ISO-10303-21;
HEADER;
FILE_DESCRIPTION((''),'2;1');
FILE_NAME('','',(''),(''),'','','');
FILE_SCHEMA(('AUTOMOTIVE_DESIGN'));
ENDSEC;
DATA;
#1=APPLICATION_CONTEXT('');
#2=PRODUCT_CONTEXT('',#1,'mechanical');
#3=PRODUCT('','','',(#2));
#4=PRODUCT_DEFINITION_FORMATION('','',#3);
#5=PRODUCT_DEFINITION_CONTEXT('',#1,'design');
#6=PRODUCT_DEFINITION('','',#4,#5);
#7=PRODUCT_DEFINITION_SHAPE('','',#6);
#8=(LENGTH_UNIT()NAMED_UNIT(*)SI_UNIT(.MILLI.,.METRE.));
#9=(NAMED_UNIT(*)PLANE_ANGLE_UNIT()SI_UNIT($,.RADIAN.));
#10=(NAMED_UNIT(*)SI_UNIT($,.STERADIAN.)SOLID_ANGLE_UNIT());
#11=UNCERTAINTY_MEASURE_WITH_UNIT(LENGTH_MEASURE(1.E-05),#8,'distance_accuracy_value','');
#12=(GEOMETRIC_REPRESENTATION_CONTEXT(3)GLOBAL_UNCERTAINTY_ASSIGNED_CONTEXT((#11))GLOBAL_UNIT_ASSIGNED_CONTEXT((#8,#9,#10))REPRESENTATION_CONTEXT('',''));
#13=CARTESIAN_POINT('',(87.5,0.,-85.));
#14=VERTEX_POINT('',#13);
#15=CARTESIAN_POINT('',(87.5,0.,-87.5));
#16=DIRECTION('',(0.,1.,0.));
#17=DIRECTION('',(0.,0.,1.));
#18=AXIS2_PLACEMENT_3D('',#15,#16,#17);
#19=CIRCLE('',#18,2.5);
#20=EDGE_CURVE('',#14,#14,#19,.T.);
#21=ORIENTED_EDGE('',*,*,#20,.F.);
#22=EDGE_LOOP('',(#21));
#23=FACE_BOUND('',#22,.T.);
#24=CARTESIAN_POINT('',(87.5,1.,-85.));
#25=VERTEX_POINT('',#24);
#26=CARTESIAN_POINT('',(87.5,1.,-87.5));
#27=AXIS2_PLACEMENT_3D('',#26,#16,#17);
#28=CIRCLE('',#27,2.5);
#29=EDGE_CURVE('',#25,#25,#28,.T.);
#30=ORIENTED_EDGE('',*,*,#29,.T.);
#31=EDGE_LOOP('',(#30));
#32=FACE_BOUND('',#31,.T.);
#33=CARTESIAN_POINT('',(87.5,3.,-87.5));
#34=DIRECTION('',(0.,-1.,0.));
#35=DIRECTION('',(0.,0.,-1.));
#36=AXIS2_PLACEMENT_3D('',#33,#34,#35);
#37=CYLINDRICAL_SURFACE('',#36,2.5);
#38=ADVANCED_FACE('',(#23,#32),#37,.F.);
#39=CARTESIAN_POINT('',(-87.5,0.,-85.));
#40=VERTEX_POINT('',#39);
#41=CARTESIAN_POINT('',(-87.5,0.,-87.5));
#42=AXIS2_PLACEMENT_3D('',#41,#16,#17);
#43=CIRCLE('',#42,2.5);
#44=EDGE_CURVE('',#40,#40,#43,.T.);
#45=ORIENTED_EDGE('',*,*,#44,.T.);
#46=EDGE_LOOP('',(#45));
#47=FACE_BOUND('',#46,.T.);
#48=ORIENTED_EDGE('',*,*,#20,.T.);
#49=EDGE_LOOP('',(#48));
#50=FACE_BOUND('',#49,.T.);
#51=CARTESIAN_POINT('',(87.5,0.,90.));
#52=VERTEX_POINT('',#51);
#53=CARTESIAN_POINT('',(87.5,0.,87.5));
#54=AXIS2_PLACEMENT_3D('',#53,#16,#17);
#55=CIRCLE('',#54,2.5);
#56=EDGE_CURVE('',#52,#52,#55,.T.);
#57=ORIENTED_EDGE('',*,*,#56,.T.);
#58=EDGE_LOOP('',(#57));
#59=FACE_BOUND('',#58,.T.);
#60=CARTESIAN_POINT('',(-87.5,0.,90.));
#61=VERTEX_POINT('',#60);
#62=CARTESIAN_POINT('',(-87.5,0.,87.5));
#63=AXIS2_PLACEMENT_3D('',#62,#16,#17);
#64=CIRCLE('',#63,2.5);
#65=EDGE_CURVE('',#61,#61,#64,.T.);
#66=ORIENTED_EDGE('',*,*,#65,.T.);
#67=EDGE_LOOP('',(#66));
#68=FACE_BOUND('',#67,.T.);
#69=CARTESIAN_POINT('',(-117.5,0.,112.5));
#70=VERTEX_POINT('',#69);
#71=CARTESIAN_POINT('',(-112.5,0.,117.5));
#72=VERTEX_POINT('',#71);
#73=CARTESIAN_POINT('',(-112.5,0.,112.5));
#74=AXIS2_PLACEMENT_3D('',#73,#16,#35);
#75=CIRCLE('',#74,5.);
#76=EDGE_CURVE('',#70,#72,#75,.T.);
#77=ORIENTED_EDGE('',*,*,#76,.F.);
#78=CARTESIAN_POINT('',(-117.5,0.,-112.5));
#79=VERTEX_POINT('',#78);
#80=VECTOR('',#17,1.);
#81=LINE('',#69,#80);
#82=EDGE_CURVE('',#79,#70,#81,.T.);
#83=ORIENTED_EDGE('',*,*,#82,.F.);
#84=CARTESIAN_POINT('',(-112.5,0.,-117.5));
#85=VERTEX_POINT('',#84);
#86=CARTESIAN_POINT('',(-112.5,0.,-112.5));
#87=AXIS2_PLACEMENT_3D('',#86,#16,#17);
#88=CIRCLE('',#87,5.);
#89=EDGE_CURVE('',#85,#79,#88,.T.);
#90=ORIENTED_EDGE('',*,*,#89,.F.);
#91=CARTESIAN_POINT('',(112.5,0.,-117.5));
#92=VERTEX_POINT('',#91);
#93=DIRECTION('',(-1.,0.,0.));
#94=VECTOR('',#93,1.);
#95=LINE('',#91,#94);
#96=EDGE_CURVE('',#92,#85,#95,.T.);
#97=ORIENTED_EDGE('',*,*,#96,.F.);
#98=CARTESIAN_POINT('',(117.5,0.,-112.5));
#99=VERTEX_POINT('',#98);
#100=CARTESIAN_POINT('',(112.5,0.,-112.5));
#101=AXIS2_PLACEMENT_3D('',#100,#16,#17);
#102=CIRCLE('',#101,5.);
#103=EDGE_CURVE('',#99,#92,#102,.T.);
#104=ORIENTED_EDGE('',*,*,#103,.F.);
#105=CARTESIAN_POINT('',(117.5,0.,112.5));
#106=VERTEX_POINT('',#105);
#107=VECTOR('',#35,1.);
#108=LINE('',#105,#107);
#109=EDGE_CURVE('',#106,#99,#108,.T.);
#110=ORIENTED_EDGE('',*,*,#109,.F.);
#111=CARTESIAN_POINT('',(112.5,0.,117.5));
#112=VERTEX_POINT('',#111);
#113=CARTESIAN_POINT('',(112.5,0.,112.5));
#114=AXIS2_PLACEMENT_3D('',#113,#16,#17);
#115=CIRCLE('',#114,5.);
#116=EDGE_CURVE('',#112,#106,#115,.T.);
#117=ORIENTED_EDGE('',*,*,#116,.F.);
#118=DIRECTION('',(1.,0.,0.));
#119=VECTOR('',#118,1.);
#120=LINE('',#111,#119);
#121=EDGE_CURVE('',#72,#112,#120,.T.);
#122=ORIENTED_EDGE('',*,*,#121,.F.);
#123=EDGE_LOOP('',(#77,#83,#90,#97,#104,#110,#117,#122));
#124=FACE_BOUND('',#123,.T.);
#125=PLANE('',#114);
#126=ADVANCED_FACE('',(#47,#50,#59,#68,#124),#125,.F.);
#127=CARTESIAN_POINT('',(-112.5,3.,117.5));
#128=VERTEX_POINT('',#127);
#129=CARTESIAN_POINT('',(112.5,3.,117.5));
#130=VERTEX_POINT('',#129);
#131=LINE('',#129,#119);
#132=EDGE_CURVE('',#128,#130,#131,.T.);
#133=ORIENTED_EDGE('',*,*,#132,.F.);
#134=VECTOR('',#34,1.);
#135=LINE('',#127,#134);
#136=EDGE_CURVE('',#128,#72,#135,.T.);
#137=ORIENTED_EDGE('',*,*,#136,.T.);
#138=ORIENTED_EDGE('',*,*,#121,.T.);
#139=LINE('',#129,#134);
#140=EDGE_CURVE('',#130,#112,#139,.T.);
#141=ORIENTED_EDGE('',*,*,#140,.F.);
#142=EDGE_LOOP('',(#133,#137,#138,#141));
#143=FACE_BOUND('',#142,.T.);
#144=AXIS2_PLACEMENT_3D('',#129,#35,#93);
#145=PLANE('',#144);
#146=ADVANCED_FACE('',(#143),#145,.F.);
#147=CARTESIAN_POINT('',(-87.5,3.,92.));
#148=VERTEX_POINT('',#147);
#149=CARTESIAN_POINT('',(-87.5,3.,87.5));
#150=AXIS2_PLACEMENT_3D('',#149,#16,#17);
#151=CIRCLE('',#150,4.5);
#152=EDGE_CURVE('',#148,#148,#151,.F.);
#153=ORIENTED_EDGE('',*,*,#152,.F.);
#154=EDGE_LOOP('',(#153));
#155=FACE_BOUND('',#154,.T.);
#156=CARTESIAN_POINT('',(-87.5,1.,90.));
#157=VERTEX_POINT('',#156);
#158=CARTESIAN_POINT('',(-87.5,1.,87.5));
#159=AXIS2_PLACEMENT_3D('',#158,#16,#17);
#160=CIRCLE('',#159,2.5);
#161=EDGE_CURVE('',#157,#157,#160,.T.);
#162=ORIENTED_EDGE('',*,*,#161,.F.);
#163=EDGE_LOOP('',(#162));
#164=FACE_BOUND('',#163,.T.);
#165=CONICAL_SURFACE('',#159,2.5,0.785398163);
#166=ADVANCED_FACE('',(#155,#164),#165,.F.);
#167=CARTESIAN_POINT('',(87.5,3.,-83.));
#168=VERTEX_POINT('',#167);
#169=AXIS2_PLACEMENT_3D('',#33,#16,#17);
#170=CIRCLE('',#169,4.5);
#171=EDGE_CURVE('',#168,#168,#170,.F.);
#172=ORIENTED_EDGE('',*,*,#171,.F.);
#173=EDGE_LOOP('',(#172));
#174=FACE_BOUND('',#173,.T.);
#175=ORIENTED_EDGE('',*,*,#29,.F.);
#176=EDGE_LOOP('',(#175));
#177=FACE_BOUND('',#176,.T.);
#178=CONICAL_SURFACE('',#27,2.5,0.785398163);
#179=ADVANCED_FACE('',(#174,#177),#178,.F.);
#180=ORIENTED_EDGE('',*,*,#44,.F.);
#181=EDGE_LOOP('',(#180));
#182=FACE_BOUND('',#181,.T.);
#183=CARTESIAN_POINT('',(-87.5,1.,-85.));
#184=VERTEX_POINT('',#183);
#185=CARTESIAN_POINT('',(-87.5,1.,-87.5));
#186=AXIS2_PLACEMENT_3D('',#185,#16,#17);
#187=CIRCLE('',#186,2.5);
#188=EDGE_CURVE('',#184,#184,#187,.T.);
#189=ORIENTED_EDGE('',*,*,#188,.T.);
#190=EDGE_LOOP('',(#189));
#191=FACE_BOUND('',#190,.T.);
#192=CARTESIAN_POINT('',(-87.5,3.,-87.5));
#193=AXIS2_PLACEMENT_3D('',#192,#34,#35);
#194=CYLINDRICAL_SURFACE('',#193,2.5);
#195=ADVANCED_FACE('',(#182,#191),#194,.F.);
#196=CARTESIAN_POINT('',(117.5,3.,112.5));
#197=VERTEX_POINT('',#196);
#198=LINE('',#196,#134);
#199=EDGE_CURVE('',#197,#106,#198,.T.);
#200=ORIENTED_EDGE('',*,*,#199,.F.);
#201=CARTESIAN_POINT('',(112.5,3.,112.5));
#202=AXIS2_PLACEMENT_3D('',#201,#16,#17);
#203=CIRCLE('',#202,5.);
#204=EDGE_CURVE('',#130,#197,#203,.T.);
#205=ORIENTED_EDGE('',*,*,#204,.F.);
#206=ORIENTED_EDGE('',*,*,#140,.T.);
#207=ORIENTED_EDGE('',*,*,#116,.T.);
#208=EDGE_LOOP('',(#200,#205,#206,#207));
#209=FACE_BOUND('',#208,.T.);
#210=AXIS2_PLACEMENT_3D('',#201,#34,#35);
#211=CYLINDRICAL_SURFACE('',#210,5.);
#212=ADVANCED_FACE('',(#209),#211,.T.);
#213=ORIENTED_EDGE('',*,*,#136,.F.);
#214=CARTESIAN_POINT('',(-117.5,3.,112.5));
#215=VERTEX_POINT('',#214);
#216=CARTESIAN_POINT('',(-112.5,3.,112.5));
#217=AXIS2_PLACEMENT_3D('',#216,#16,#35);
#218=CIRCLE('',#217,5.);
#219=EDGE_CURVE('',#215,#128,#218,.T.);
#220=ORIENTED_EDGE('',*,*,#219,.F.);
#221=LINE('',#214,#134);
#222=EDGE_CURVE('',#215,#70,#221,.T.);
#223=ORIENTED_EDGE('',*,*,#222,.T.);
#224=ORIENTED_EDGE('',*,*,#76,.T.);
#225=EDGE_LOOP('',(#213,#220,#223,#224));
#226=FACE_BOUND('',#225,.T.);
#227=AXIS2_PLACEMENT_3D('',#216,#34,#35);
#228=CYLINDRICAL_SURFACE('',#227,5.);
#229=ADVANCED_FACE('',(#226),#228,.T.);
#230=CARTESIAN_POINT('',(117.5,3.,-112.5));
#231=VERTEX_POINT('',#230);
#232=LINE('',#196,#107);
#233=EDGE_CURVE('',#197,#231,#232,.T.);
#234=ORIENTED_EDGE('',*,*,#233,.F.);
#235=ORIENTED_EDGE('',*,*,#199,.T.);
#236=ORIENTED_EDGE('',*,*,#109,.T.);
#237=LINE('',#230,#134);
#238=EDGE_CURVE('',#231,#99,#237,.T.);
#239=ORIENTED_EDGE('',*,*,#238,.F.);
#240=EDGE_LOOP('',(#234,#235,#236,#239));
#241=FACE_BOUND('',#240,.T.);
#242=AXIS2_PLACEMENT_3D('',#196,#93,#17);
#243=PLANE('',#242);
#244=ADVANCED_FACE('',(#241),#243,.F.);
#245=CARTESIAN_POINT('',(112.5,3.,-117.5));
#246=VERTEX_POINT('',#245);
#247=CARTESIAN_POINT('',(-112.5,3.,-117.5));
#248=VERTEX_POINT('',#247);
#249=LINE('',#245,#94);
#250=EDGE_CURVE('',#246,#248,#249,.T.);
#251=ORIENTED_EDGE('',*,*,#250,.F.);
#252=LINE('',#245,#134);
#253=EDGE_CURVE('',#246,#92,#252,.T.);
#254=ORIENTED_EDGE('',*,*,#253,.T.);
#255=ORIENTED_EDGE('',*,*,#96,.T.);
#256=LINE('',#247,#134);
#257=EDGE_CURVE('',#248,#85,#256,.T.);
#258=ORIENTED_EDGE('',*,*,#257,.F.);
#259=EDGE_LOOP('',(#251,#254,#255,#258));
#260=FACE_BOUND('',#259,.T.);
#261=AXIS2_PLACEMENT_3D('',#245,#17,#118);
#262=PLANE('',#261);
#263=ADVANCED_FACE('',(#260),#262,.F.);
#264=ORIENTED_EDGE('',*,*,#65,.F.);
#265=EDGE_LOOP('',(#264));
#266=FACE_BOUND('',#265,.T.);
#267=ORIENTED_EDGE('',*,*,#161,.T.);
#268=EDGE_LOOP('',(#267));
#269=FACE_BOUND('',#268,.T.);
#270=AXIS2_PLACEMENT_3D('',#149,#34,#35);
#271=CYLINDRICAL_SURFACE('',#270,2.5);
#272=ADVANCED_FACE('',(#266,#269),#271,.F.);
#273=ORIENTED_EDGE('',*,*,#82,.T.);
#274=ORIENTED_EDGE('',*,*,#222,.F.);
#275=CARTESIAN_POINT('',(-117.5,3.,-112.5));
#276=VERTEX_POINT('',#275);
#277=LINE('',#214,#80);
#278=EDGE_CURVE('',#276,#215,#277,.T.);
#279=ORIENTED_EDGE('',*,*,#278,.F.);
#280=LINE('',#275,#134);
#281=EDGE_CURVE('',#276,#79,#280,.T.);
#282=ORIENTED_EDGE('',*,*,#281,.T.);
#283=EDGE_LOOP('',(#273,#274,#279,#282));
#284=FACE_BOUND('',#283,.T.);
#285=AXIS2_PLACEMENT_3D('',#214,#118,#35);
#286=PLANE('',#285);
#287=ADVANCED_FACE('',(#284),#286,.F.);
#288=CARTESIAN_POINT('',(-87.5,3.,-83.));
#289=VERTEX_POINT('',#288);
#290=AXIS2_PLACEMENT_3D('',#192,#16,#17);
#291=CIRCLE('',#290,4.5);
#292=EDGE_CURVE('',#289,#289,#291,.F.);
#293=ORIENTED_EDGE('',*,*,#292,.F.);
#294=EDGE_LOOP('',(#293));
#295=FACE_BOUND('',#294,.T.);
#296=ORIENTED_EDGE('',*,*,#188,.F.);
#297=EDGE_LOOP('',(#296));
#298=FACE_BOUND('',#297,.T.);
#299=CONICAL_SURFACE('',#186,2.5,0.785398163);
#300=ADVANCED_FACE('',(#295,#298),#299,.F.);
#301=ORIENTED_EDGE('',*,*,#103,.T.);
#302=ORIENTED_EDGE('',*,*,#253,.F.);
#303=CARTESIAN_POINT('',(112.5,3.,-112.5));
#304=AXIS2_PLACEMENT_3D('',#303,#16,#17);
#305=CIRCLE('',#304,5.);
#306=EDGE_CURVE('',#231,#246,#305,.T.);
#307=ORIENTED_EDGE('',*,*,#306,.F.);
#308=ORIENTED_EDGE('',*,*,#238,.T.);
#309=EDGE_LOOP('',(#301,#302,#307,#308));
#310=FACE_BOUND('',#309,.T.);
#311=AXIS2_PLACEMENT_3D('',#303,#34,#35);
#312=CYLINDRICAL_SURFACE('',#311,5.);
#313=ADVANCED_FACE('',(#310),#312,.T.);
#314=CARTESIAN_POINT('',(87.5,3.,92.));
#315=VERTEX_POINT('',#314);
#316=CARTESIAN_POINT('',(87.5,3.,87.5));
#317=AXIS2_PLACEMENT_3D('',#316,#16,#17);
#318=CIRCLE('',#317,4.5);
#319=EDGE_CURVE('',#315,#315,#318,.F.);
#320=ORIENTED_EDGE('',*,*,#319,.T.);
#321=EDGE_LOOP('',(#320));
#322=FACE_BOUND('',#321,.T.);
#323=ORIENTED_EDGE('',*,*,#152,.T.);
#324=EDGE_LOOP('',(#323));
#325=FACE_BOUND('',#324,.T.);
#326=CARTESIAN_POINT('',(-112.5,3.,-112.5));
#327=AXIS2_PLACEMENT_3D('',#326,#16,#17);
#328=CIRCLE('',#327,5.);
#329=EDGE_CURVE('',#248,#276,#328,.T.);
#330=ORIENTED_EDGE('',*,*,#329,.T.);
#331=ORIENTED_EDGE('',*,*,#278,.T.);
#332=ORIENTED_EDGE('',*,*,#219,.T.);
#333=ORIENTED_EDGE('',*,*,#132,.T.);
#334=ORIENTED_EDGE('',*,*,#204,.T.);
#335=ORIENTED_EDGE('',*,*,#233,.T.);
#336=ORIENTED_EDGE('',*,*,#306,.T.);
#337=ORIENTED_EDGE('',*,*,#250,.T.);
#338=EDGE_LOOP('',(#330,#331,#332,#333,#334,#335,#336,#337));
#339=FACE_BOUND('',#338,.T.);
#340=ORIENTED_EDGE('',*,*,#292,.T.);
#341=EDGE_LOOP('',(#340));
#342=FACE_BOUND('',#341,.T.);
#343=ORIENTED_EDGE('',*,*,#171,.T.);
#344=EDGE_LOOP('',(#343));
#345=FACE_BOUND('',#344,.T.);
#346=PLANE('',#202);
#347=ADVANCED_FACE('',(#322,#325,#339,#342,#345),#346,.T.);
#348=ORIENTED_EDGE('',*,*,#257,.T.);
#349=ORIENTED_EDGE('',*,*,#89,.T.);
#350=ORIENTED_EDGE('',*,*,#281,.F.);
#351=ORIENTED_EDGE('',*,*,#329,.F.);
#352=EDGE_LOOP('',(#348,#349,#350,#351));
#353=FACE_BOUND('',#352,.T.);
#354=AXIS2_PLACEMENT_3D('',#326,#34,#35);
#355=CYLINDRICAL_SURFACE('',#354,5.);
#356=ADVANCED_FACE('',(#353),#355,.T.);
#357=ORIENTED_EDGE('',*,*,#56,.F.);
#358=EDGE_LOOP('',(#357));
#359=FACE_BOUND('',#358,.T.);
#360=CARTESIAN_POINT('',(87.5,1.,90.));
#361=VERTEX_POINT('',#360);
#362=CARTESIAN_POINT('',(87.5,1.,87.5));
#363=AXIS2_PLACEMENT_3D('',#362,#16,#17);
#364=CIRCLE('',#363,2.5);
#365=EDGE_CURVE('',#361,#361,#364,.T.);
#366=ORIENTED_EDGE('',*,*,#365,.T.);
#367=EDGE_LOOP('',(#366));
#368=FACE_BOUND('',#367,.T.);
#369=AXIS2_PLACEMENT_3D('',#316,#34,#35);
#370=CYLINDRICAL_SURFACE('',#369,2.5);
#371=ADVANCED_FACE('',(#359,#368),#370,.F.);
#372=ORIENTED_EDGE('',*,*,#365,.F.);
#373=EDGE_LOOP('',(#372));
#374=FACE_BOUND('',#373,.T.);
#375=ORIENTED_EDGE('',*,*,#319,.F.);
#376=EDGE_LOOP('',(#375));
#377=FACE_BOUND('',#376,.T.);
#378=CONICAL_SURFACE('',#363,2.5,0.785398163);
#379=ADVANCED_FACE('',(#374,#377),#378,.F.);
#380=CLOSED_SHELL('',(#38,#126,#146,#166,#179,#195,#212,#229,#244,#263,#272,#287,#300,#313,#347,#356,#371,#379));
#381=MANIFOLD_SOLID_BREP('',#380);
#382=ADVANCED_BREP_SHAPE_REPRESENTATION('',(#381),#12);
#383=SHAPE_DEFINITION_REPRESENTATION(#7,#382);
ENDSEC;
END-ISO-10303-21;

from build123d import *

# Parameters (mm, degrees)
ESQUISSE1_R        = 2.5
BOSS_EXTRU_1_DEPTH = 3
CHANFREIN1_SIZE    = 2


with BuildPart() as part:
    # Esquisse1 → Boss.-Extru.1 (new body)
    with BuildSketch(Plane(origin=(0, 0, 0), x_dir=(1, 0, 0), z_dir=(0, 1, 0))):
        with BuildLine():
            Line((112.5, -117.5), (-112.5, -117.5))
            ThreePointArc((-112.5, -117.5), (-116.035533906, -116.035533906), (-117.5, -112.5))
            Line((-117.5, -112.5), (-117.5, 112.5))
            ThreePointArc((-117.5, 112.5), (-116.035533906, 116.035533906), (-112.5, 117.5))
            Line((-112.5, 117.5), (112.5, 117.5))
            ThreePointArc((112.5, 117.5), (116.035533906, 116.035533906), (117.5, 112.5))
            Line((117.5, 112.5), (117.5, -112.5))
            ThreePointArc((117.5, -112.5), (116.035533906, -116.035533906), (112.5, -117.5))
        make_face()
        with Locations(Location((-87.5, 87.5, 0), (0, 0, 270))):
            Circle(ESQUISSE1_R, mode=Mode.SUBTRACT)
        with Locations(Location((-87.5, -87.5, 0), (0, 0, 270))):
            Circle(ESQUISSE1_R, mode=Mode.SUBTRACT)
        with Locations(Location((87.5, -87.5, 0), (0, 0, 270))):
            Circle(ESQUISSE1_R, mode=Mode.SUBTRACT)
        with Locations(Location((87.5, 87.5, 0), (0, 0, 270))):
            Circle(ESQUISSE1_R, mode=Mode.SUBTRACT)
    extrude(amount=BOSS_EXTRU_1_DEPTH)

    # Chanfrein1
    chanfrein1_edges = [part.edges().sort_by_distance(p)[0] for p in [
        (-87.5, 3, -90),
        (-87.5, 3, 85),
        (87.5, 3, 85),
        (87.5, 3, -90),
    ]]
    chamfer(chanfrein1_edges, length=CHANFREIN1_SIZE)


solid = part.part
